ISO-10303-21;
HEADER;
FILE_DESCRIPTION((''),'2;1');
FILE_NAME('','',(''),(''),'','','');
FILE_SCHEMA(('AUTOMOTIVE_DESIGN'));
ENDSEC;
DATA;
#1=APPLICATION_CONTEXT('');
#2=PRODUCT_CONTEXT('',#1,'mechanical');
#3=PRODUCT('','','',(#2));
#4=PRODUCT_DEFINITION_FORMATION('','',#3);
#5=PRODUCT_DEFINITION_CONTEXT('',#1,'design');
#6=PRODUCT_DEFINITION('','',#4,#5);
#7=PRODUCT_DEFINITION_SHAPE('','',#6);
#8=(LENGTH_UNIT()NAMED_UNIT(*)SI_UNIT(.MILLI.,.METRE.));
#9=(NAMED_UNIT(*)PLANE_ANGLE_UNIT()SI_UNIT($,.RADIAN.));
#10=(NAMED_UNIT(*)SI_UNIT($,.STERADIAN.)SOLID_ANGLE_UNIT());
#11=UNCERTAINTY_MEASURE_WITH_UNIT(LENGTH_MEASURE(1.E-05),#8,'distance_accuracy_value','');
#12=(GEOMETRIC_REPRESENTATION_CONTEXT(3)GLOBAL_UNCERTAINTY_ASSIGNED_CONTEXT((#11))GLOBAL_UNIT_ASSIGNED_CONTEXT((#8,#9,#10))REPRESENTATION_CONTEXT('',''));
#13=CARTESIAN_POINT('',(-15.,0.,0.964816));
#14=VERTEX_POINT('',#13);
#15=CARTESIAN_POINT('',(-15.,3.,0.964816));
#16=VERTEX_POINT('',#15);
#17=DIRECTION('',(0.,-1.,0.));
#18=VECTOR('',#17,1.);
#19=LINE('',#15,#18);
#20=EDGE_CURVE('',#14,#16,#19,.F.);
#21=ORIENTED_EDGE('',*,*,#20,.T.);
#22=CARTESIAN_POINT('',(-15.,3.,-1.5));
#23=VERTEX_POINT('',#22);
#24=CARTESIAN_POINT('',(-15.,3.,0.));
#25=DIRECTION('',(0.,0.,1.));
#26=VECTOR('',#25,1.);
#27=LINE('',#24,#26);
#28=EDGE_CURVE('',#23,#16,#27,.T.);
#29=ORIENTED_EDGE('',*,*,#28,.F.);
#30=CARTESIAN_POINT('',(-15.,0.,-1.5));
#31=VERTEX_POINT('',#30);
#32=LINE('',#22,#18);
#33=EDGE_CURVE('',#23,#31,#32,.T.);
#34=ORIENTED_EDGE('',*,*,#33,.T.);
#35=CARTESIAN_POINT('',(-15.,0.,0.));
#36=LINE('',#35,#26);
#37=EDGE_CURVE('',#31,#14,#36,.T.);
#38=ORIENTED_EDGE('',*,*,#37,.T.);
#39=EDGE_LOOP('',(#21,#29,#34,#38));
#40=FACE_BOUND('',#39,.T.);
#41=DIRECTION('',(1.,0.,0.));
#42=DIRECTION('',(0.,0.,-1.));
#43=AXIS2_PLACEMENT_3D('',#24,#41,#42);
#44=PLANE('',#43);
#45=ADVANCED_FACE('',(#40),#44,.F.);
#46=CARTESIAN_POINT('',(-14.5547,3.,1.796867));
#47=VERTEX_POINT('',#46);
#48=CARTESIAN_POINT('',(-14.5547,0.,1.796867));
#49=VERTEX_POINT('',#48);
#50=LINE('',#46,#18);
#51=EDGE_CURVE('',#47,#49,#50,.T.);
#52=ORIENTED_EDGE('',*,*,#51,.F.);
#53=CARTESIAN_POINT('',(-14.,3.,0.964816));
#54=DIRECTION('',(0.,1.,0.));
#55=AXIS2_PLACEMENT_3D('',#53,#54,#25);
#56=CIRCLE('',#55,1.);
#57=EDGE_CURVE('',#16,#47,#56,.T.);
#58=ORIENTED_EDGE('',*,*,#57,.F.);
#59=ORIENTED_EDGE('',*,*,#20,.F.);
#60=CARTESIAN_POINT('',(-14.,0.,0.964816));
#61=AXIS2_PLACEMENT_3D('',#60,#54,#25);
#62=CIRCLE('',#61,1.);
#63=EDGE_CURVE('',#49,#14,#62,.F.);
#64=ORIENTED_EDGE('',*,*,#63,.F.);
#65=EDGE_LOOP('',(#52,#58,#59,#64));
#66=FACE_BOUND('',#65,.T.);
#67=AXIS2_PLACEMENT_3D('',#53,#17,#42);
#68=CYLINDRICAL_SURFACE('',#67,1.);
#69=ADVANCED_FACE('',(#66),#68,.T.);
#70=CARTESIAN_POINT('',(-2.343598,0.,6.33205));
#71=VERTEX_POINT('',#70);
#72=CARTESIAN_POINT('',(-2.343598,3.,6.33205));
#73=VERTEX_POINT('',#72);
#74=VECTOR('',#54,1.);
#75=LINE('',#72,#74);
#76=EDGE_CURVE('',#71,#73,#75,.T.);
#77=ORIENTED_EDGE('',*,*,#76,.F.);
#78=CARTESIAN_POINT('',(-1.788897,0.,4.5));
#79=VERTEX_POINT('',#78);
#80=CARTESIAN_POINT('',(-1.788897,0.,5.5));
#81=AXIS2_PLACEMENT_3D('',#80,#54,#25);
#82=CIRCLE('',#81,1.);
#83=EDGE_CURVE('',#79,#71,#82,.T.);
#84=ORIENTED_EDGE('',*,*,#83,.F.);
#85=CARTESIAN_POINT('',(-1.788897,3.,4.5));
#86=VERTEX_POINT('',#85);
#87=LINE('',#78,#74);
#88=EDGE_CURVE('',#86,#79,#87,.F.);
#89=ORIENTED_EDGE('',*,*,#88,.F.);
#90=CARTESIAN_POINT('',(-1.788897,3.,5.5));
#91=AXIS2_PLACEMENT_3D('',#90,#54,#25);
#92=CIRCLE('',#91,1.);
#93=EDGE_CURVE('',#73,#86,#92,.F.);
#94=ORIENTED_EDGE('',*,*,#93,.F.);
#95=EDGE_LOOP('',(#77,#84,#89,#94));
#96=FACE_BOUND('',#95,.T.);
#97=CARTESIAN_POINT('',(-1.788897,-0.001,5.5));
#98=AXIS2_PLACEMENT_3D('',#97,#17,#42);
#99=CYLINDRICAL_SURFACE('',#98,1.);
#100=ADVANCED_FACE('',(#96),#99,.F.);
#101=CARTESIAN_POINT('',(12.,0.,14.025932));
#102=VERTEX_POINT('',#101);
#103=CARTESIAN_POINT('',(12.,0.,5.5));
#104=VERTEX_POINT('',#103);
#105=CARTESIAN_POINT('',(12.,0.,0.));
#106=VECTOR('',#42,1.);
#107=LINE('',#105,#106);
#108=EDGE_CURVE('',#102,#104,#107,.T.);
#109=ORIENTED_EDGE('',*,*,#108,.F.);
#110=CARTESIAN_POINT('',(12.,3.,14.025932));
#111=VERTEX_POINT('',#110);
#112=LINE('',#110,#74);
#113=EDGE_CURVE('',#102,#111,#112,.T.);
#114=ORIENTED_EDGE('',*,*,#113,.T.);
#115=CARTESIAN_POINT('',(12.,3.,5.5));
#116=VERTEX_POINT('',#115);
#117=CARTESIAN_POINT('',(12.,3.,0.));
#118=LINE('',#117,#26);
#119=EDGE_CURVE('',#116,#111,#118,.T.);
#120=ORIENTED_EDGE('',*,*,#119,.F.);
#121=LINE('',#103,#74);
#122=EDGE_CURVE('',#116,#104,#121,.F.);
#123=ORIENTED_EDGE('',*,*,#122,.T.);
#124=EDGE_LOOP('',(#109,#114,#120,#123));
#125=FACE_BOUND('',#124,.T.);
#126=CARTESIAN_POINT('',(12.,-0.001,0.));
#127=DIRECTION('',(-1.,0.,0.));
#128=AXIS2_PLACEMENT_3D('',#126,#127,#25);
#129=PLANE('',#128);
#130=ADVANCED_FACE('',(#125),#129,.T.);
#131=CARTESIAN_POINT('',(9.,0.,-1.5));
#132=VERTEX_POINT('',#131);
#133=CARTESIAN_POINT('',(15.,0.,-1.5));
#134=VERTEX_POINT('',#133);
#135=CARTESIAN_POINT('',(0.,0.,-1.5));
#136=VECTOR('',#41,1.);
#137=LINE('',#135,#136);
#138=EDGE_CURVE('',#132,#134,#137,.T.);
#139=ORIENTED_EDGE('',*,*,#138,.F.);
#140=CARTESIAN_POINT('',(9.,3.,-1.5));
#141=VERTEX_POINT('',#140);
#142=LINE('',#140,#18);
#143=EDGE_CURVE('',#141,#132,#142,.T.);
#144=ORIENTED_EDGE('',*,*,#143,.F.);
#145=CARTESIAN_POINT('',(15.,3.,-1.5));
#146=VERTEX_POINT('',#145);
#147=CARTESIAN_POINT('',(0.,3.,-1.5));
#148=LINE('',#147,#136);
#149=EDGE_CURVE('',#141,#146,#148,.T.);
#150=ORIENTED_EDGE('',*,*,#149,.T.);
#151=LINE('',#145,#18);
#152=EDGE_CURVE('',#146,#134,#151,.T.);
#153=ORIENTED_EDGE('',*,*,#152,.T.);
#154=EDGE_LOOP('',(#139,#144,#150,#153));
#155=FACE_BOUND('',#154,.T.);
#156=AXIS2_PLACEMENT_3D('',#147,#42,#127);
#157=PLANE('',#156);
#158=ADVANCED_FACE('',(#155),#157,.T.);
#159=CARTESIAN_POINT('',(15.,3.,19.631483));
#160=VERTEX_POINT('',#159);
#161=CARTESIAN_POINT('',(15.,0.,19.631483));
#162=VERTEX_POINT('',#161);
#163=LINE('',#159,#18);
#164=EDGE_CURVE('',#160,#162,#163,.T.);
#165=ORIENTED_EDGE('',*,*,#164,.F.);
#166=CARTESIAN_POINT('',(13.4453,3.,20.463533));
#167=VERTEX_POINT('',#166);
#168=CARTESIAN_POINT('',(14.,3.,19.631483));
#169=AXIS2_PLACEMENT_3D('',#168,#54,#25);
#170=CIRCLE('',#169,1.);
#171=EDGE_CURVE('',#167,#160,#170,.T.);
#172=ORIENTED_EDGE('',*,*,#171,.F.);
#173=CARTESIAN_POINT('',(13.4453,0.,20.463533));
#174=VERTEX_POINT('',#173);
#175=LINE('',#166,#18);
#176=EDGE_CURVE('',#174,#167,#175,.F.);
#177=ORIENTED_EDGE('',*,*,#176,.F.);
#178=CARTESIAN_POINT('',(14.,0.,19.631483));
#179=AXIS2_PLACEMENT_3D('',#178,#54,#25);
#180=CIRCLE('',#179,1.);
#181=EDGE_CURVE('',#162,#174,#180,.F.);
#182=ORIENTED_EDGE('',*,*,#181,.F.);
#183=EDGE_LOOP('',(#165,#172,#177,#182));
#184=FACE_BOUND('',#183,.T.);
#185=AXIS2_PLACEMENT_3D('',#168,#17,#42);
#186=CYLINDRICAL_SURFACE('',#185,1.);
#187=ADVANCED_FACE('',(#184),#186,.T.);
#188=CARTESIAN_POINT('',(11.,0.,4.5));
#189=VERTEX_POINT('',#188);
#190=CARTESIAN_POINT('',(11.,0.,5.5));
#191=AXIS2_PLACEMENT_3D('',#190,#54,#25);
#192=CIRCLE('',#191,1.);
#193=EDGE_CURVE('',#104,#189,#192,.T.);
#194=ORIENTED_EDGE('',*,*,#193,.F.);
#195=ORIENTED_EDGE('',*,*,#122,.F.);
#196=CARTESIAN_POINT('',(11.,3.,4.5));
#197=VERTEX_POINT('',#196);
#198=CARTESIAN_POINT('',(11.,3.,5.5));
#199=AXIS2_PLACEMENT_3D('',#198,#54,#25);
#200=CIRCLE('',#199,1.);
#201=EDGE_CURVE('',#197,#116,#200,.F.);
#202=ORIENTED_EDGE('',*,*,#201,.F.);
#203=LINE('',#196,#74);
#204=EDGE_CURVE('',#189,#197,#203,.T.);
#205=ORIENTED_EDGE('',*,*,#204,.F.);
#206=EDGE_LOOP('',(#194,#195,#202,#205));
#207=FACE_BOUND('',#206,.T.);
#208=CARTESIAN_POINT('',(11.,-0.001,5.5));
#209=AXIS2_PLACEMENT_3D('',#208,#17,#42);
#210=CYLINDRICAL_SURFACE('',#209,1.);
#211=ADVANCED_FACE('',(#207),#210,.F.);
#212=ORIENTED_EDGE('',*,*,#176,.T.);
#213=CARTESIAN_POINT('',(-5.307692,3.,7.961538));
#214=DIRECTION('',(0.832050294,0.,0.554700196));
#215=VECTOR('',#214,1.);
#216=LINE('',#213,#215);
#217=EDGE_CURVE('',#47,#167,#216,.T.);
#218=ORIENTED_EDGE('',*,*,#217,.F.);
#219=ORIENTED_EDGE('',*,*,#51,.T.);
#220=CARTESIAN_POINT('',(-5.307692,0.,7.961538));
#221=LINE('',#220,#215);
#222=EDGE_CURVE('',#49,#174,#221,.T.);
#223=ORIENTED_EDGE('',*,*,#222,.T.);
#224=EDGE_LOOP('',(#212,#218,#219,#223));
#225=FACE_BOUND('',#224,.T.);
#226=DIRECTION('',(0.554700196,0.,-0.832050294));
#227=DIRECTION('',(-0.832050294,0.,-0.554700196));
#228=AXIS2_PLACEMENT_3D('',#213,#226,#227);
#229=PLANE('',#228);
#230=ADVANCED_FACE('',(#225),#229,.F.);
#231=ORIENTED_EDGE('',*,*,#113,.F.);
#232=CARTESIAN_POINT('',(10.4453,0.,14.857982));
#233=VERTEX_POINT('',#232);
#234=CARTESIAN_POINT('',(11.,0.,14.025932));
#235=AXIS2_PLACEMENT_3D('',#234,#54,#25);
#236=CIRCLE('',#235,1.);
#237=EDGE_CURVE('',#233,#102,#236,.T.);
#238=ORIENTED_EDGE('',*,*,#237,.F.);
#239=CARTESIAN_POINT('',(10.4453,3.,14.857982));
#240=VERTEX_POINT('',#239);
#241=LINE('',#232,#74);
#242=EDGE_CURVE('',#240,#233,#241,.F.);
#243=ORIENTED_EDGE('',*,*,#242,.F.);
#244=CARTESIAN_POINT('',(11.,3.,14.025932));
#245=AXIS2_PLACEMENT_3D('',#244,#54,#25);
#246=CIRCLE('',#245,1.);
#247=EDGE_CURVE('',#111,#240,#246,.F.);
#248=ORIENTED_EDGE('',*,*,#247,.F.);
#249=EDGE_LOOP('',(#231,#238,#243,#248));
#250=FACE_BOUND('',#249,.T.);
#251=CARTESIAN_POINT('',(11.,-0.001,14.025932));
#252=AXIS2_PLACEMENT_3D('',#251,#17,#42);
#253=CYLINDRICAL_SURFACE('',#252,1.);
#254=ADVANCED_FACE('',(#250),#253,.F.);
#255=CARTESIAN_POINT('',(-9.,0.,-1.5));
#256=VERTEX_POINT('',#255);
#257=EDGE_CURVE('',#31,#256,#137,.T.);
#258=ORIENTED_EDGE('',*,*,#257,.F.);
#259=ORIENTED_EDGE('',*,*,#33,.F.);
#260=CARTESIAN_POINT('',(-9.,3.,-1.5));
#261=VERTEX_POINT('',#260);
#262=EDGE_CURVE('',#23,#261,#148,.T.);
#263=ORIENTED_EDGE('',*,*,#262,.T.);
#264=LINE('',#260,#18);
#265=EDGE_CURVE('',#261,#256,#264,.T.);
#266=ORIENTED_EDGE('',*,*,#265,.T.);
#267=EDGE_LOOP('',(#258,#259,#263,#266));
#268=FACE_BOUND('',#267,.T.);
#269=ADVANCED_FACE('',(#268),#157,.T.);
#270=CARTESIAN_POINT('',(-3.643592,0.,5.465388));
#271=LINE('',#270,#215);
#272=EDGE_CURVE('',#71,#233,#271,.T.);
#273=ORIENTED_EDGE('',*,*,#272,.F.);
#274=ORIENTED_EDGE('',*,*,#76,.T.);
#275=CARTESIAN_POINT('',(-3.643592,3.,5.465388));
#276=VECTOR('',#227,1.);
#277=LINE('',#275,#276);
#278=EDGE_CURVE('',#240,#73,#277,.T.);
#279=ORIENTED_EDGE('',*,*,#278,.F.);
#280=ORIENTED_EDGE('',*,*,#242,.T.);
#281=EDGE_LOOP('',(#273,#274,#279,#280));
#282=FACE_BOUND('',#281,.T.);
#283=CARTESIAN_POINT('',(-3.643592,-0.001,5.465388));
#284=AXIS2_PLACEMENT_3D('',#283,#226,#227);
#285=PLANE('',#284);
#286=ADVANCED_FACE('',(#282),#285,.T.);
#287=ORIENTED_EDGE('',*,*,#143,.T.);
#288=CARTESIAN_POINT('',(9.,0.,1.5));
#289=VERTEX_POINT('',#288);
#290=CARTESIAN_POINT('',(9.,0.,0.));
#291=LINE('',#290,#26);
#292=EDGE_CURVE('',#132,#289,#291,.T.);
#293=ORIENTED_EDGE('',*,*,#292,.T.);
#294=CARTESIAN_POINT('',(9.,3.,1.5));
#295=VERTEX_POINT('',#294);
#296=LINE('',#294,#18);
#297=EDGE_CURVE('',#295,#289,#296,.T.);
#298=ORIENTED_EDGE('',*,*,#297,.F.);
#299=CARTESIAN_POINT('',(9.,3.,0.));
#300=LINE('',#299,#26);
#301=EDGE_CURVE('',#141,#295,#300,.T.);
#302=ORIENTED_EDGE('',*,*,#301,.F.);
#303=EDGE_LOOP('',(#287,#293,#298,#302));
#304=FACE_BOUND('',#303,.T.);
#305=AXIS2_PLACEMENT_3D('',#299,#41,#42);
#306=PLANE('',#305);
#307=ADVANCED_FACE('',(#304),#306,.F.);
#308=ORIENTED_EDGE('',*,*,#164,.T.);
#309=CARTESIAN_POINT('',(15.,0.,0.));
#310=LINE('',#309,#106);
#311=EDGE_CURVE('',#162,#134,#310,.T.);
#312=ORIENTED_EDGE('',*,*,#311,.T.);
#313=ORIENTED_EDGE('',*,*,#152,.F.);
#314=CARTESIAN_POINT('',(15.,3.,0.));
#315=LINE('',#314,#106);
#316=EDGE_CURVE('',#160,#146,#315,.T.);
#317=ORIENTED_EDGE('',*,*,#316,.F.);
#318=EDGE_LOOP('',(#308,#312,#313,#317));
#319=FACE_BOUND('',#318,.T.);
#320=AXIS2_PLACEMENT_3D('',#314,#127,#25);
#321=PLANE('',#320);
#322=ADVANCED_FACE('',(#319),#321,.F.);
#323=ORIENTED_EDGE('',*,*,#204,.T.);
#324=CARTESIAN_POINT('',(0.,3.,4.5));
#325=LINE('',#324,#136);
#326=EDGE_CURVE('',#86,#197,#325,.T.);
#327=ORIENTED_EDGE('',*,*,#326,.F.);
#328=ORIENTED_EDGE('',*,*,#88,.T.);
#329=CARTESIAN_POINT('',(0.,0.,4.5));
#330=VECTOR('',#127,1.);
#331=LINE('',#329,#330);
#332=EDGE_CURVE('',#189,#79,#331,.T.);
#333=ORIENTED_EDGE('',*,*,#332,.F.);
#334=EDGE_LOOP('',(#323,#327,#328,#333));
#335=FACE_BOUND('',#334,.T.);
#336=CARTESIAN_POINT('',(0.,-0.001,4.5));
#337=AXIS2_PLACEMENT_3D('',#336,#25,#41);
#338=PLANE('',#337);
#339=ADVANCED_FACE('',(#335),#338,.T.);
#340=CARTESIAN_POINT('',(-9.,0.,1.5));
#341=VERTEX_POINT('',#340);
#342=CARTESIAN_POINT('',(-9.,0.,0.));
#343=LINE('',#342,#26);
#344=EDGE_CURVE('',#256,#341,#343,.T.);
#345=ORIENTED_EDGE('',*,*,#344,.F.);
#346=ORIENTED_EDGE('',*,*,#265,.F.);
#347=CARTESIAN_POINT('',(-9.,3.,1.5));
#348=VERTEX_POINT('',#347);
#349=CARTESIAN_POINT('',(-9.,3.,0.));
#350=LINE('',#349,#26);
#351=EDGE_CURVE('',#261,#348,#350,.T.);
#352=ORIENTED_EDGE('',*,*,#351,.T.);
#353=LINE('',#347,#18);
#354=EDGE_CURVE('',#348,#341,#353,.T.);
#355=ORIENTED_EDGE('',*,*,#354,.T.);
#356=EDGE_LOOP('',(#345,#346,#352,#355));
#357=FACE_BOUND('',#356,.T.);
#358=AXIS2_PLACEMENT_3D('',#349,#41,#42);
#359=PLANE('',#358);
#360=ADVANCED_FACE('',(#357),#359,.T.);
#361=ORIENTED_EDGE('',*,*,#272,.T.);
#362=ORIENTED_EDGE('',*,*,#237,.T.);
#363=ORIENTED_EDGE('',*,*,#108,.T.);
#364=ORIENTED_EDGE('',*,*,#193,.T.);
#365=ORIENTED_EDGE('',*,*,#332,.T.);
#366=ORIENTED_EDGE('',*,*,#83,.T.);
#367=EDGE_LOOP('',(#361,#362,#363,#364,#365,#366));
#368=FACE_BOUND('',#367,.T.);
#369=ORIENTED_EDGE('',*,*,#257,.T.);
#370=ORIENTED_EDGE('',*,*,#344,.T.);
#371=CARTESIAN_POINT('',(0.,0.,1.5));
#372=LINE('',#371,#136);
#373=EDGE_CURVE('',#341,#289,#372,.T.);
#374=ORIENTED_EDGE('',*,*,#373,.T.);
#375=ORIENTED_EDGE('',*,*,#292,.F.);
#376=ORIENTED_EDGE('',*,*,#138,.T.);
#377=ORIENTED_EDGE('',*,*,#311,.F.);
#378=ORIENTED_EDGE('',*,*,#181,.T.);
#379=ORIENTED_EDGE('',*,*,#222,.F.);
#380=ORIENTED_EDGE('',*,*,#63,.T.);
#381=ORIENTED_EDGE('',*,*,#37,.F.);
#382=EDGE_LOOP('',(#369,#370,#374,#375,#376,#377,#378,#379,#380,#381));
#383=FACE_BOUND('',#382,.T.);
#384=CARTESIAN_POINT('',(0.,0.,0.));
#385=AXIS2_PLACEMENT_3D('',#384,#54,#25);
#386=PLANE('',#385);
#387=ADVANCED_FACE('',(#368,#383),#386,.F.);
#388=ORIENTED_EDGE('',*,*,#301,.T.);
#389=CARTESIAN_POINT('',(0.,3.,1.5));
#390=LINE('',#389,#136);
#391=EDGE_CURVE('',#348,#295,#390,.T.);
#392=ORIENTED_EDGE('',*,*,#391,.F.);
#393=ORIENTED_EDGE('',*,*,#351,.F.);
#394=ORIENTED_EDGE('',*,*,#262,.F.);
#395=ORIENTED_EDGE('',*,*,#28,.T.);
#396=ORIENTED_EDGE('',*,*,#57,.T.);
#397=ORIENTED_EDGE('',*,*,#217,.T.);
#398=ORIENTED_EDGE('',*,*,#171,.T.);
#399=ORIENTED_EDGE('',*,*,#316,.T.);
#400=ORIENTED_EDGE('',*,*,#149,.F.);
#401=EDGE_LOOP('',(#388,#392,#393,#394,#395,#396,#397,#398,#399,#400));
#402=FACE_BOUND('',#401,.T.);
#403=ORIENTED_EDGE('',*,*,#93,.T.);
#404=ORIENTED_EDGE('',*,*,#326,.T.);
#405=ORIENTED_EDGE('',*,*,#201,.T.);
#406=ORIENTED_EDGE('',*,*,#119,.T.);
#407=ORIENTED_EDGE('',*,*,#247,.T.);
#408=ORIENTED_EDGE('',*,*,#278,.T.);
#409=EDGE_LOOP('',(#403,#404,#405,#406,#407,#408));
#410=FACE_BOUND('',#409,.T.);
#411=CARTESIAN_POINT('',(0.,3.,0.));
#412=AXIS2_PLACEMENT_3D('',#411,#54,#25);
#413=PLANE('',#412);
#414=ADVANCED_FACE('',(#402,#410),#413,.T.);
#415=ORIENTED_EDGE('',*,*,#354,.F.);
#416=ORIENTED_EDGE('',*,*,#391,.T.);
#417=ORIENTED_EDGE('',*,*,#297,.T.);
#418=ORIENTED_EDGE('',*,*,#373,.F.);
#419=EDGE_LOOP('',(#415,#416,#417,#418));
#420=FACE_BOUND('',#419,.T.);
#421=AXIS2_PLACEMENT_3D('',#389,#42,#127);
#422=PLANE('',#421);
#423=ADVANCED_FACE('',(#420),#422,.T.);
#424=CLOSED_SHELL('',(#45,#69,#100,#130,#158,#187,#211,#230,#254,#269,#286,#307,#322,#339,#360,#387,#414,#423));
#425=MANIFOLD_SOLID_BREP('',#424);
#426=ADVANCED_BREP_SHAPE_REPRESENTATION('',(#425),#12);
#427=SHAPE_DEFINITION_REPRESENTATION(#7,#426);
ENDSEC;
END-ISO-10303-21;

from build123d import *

# Parameters (mm, degrees)
SKETCH1_W           = 6
SKETCH1_H           = 3
BOSS_EXTRUDE1_DEPTH = 3
CUT_EXTRUDE1_REACH  = 28.387
FILLET1_R           = 1


with BuildPart() as part:
    # Sketch1 → Boss-Extrude1 (new body)
    with BuildSketch(Plane(origin=(0, 0, 0), x_dir=(1, 0, 0), z_dir=(0, 1, 0))):
        Polygon((-15, -1.5), (15, -21.5), (15, -1.5), align=None)
        with Locations((-12, 0)):
            Rectangle(SKETCH1_W, SKETCH1_H)
        with Locations((12, 0)):
            Rectangle(SKETCH1_W, SKETCH1_H)
    extrude(amount=BOSS_EXTRUDE1_DEPTH)

    # Sketch2 → Cut-Extrude1 (cut, up to next)
    with BuildSketch(Plane(origin=(0, 3, 0), x_dir=(1, 0, 0), z_dir=(0, 1, 0)), mode=Mode.PRIVATE) as cut_extrude1_sk1:
        Polygon((12, -15.894448725), (-5.091673087, -4.5), (12, -4.5), align=None)
    cut_extrude1_tool1 = extrude(cut_extrude1_sk1.sketch, amount=-CUT_EXTRUDE1_REACH, mode=Mode.PRIVATE) & part.part
    add(cut_extrude1_tool1.solids().sort_by_distance((6.302776, 3, 8.29815))[0], mode=Mode.SUBTRACT)

    # Fillet1
    fillet1_edges = [part.edges().sort_by_distance(p)[0] for p in [
        (-15, 1.5, 1.5),
        (15, 1.5, 21.5),
        (12, 1.5, 15.894448725),
        (-5.091673087, 1.5, 4.5),
        (12, 1.5, 4.5),
    ]]
    fillet(fillet1_edges, radius=FILLET1_R)


solid = part.part
